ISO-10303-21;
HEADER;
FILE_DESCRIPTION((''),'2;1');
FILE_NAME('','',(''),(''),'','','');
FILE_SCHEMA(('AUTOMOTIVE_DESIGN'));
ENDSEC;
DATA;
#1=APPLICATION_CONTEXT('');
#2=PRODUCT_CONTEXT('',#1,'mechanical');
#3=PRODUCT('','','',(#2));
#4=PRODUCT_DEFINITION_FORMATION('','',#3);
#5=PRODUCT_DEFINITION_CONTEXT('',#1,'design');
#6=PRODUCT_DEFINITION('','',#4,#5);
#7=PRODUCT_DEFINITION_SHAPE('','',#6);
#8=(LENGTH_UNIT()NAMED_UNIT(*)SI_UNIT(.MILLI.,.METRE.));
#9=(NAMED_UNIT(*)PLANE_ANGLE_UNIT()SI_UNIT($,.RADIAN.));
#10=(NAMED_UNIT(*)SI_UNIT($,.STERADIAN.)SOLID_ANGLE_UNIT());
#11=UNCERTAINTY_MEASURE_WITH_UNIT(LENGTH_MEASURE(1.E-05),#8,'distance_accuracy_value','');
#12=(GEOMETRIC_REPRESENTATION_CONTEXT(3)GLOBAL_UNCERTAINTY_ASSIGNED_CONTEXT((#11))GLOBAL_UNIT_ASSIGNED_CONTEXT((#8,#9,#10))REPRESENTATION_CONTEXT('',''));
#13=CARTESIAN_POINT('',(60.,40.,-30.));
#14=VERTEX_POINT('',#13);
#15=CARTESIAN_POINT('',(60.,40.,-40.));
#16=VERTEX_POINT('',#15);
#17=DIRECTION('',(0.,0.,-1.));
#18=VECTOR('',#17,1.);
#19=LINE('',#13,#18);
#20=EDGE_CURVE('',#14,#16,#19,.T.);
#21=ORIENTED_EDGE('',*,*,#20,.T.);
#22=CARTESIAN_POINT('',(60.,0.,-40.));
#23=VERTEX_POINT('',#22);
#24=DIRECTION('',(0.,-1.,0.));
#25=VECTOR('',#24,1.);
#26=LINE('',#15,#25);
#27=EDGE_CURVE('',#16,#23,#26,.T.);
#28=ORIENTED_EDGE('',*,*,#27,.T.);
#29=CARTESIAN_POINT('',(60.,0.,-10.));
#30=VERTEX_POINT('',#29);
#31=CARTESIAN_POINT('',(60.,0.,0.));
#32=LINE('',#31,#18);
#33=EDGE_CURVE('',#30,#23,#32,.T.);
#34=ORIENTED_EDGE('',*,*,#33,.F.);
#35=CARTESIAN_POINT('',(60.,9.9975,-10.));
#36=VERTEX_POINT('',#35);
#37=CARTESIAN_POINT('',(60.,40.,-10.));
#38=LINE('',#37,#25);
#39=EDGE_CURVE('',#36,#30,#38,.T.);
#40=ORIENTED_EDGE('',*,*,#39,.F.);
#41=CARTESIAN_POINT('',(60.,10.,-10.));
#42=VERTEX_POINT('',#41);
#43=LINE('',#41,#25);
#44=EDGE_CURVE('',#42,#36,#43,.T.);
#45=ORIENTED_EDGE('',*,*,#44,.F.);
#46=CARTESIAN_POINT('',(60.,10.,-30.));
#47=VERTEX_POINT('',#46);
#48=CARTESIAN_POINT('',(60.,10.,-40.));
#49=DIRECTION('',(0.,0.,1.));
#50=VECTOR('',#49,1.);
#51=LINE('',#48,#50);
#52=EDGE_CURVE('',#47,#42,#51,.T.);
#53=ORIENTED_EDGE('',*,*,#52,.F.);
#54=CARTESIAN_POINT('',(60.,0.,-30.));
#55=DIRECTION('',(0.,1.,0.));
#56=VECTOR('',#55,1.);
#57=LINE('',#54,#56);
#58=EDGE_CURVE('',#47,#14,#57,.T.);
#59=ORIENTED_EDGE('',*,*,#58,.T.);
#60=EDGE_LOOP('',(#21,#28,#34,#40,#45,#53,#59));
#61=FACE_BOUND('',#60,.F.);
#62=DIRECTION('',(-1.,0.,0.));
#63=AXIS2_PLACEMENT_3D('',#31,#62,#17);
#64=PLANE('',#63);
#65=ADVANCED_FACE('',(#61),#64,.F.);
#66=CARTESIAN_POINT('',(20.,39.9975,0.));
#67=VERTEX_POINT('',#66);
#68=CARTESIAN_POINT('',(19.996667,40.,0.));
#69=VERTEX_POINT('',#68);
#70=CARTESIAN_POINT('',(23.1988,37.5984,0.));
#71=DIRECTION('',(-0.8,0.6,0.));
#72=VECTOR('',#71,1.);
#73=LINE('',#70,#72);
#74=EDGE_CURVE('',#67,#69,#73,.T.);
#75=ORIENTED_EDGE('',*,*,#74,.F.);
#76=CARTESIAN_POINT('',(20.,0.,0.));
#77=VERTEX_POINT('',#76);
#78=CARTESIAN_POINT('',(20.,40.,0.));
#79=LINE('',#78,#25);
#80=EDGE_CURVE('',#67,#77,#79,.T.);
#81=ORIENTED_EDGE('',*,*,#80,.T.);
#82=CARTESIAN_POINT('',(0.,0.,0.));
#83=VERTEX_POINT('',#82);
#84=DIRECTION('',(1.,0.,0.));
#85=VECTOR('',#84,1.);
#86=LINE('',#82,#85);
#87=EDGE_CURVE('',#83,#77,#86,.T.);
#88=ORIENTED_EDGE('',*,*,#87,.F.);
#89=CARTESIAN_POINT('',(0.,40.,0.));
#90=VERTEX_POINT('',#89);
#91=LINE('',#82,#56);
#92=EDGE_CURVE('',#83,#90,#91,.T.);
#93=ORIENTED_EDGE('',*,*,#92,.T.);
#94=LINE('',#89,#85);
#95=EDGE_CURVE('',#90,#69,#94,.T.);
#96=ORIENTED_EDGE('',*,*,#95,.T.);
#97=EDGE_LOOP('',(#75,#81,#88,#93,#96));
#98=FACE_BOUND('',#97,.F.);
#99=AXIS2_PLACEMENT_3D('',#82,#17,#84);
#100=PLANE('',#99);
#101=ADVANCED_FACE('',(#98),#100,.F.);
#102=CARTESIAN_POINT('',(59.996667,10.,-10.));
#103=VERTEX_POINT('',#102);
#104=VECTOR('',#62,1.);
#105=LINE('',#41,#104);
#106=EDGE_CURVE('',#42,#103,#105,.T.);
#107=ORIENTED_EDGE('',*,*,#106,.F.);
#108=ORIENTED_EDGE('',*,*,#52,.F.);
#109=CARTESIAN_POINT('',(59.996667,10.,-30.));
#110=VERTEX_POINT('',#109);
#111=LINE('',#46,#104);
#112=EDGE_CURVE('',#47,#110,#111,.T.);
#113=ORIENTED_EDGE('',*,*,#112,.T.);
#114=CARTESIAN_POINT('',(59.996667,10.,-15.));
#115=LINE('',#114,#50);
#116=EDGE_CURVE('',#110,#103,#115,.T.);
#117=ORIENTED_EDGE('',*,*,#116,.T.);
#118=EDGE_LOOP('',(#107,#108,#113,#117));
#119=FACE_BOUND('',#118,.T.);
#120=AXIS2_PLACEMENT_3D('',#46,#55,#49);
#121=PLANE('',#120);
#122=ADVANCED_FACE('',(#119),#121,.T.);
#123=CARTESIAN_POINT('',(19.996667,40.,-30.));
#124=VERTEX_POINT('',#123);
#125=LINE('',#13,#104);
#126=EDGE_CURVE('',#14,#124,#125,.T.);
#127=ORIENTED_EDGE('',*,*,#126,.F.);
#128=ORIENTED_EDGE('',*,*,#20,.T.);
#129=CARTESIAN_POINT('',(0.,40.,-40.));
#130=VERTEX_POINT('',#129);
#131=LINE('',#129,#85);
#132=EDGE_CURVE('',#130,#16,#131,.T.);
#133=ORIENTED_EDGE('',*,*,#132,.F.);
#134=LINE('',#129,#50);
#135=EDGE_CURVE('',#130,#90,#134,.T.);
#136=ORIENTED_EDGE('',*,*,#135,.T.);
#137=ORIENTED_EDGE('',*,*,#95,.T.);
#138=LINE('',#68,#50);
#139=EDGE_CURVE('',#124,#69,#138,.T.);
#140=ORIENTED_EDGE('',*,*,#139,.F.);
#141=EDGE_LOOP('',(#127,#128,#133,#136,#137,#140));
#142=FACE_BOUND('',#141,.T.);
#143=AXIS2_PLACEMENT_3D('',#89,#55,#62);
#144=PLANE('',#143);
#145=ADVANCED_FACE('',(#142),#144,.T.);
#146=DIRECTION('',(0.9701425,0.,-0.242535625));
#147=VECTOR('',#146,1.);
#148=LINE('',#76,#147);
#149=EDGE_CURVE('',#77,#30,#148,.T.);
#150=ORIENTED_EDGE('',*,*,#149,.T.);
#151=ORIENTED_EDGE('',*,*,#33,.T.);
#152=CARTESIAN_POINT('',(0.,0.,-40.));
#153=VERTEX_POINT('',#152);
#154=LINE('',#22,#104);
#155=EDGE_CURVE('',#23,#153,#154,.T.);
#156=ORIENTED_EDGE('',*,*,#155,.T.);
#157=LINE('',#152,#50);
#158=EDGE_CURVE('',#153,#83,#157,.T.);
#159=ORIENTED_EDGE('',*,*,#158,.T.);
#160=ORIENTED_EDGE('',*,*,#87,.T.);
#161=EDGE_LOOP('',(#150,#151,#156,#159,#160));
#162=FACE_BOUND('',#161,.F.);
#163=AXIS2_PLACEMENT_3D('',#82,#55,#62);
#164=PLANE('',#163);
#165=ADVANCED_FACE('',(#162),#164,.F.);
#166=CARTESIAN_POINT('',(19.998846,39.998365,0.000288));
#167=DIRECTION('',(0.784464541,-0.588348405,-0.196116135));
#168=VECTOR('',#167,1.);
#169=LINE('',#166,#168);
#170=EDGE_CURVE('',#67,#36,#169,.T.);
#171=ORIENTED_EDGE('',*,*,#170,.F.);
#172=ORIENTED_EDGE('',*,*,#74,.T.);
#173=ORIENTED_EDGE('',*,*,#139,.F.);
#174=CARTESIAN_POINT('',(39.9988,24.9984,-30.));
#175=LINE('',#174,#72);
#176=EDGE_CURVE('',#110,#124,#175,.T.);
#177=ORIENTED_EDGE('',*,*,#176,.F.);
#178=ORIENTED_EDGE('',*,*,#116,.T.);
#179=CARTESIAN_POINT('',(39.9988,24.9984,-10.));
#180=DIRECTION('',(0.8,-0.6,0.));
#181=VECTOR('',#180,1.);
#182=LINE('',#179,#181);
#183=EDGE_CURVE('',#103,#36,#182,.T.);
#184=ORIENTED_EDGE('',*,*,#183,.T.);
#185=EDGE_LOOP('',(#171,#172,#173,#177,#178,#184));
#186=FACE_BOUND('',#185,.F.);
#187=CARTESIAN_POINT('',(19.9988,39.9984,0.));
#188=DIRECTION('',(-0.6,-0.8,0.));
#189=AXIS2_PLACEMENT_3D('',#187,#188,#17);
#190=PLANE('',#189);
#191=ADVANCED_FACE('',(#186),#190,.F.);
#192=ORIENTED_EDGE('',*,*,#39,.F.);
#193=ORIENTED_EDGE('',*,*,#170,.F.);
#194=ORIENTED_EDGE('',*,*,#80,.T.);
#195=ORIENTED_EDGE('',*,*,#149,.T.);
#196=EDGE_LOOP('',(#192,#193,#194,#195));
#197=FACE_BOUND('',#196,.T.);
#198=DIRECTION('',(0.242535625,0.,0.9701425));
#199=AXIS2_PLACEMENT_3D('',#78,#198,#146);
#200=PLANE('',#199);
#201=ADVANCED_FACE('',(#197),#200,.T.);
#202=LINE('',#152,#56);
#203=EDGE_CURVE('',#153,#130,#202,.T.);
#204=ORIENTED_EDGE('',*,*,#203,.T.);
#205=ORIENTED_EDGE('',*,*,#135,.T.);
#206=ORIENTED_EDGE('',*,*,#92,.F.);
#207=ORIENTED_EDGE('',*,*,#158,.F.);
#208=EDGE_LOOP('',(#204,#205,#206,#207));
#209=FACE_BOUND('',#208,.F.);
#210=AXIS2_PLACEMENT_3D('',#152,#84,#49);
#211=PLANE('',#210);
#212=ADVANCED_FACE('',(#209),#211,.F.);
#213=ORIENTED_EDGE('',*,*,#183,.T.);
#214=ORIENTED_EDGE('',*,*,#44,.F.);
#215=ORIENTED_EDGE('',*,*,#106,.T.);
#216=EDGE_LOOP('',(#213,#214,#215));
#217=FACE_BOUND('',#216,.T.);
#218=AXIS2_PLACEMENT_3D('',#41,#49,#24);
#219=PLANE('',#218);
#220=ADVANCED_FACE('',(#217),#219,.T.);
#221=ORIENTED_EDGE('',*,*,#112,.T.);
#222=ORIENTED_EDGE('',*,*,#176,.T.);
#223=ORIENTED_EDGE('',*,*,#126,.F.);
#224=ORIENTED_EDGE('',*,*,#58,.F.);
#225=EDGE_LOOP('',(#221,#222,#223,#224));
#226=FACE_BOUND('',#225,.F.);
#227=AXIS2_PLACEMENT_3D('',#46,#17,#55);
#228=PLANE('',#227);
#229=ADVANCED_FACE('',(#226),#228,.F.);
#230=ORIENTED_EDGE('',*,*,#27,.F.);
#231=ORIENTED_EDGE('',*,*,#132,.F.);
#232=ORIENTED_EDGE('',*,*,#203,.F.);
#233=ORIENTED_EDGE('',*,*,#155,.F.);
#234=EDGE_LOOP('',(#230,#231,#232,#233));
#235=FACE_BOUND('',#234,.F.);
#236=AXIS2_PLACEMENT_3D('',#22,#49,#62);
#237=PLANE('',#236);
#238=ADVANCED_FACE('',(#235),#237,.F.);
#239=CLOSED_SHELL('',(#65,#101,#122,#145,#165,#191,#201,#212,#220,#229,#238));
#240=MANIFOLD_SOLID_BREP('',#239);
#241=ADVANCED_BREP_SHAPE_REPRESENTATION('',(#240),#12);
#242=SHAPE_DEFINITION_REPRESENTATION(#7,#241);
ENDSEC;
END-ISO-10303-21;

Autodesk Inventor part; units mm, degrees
ref_plane "YZ Plane" through (0, 0, 0) normal (1, 0, 0) x (0, 1, 0)
ref_plane "XZ Plane" through (0, 0, 0) normal (0, 1, 0) x (-1, 0, 0)
sketch "草圖1" plane through (0, 0, 0) normal (0, 1, 0) x (-1, 0, 0)
  line L0 (0, 0) -> (-60, 0)
  line L1 (-60, 0) -> (-60, -40)
  line L2 (-60, -40) -> (0, -40)
  line L3 (0, -40) -> (0, 0)
  dimension "d0" = 60
  dimension "d1" = 40
extrude "擠出1" add sketch "草圖1" along normal blind 40
sketch "草圖2" plane through (0, 40, 0) normal (0, 1, 0) x (1, 0, 0)
  line L0 (60, 0) -> (60, 40) projected
  line L1 (60, 0) -> (60, 10)
  line L2 (0, 0) -> (60, 0) projected
  line L3 (20, 0) -> (60, 0)
  line L4 (20, 0) -> (60, 10)
  dimension "d5" = 20
extrude "擠出2" cut sketch "草圖2" against normal blind 40
sketch "草圖3" plane through (0, 40, 0) normal (0, 1, 0) x (1, 0, 0)
  line L0 (60, 40) -> (0, 40) projected
  line L1 (0, 40) -> (0, 0) projected
  line L2 (0, 0) -> (20, 0) projected
  point P0 (20, 30)
  dimension "d8" = 10
  dimension "d9" = 20
  dimension "d10" = 20
  dimension "d11" = 0
sketch "草圖4" plane through (60, 0, -40) normal (1, 0, 0) x (0, 0, -1)
  line L0 (-30, 40) -> (-30, 0) projected
  line L1 (-30, 0) -> (0, 0) projected
  point P0 (-40, 0)
  point P1 (-30, 10)
  dimension "d12" = 10
ref_plane "工作平面1" through (20, 40, 0) normal (-0.6, -0.8, 0) x (0, 0, -1)
sketch "草圖5" plane through (20, 40, 0) normal (-0.6, -0.8, 0) x (0, 0, -1)
  line L0 (-51.3035, -32.4862) -> (51.6467, -32.4862)
  line L1 (51.6467, -32.4862) -> (51.6467, 68.0272)
  line L2 (51.6467, 68.0272) -> (-51.3035, 68.0272)
  line L3 (-51.3035, 68.0272) -> (-51.3035, -32.4862)
  point P0 (0, 8)
extrude "擠出3" cut sketch "草圖5" against normal blind 40
sketch "草圖6" plane through (60, 0, -10) normal (1, 0, 0) x (0, 0, -1)
  line L0 (30, 0) -> (30, 40) projected
  line L1 (0, 0) -> (30, 0)
  line L2 (30, 0) -> (30, 10)
  line L3 (30, 10) -> (0, 10)
  line L4 (0, 10) -> (0, 0)
  line L5 (30, 0) -> (20, 0)
  line L6 (20, 0) -> (20, 40)
  line L7 (20, 40) -> (30, 40)
  line L8 (30, 40) -> (30, 0)
  line L9 (0, 0) -> (30, 0) projected
  line L10 (-10, 0) -> (-10, 40) projected
  dimension "d15" = 10
  dimension "d16" = 10
  dimension "d17" = 0
  dimension "d18" = 10
extrude "擠出4" add sketch "草圖6" against normal up to next
properties part number "50 (74000.000 mm^3)"
